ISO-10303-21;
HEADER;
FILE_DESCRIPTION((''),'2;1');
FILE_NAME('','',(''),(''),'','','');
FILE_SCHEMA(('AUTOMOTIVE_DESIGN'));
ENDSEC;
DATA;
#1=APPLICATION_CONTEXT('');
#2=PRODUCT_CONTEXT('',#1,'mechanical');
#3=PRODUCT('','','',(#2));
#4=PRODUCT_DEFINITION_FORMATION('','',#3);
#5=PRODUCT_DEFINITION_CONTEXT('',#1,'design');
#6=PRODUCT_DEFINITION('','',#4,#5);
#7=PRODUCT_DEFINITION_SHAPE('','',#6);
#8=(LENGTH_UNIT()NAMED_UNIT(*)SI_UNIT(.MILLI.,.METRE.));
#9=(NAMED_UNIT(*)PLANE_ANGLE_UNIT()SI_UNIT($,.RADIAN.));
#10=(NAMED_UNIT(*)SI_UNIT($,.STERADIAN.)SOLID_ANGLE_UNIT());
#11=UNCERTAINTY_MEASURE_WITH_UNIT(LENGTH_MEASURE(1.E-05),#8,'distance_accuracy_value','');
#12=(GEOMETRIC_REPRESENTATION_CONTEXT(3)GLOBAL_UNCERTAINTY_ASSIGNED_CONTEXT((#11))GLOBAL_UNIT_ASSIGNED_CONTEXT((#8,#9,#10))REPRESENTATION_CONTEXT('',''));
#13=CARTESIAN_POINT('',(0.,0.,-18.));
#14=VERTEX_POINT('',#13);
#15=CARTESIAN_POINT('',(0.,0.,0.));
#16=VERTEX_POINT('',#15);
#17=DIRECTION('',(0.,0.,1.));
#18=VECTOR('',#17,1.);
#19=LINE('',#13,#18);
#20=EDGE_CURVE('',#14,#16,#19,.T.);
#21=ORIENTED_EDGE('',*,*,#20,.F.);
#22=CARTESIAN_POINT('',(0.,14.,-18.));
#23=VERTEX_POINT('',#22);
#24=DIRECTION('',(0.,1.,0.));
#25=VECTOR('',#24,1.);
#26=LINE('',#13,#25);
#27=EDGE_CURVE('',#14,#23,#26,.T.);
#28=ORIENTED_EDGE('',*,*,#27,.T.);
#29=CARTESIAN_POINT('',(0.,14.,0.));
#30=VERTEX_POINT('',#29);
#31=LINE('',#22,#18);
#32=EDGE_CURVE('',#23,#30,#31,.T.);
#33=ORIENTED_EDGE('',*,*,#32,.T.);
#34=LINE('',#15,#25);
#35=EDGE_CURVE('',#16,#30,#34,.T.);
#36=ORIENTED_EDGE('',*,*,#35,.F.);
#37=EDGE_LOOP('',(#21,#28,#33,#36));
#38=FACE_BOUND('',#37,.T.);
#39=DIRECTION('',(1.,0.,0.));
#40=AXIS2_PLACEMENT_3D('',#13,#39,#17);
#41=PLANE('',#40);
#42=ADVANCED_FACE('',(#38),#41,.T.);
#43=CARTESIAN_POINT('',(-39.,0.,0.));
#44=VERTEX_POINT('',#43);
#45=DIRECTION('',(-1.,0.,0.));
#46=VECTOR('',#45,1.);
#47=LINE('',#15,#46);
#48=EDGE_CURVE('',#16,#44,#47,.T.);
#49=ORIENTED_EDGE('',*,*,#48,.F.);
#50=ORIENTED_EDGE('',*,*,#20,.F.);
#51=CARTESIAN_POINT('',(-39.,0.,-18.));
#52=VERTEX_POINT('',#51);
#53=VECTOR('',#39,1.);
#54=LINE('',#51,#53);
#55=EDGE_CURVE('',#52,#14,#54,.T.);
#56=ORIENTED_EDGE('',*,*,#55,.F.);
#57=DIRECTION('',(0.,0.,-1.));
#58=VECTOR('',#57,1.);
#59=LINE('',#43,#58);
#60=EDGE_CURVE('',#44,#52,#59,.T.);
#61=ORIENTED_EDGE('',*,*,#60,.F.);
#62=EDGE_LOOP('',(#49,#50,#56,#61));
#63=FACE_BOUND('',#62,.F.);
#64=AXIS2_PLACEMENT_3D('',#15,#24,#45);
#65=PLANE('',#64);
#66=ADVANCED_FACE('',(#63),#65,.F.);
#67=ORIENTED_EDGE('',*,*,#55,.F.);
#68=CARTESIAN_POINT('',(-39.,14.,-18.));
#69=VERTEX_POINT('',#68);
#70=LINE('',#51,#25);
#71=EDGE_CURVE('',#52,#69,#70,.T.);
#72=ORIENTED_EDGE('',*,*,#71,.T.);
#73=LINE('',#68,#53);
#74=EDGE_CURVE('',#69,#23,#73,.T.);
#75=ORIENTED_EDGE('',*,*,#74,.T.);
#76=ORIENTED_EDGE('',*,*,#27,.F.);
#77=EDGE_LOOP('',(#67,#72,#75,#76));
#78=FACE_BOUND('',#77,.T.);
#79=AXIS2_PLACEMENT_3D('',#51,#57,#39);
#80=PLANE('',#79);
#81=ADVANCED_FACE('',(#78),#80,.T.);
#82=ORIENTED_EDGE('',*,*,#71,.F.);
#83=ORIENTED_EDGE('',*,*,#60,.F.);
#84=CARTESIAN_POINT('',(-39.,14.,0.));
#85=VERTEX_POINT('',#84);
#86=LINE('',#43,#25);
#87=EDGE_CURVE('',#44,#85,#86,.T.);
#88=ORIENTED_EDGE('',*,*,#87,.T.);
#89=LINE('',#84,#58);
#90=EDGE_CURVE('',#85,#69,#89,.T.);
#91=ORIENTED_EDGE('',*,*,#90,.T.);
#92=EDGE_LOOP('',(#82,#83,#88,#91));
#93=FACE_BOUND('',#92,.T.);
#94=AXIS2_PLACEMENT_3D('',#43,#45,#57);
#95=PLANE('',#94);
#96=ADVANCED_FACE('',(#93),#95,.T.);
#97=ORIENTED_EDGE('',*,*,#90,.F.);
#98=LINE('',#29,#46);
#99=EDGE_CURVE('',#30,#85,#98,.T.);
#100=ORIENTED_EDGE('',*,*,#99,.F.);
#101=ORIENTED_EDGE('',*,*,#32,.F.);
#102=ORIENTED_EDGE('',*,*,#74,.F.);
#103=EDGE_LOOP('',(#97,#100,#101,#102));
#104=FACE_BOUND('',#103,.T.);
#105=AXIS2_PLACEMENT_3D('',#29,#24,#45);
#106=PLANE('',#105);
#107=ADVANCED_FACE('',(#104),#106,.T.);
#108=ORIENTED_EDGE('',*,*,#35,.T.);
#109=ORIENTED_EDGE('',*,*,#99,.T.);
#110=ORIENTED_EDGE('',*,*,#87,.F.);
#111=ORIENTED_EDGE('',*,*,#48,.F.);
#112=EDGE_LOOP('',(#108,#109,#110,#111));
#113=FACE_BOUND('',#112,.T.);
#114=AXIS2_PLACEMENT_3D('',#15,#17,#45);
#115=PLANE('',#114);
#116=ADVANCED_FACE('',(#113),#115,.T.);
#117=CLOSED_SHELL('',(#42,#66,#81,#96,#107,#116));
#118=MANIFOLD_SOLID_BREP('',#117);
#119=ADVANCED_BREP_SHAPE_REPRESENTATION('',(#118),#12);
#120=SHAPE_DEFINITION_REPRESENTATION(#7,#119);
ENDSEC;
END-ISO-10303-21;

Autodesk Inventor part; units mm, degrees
ref_plane "YZ Plane" through (0, 0, 0) normal (1, 0, 0) x (0, 1, 0)
ref_plane "XZ Plane" through (0, 0, 0) normal (0, 1, 0) x (-1, 0, 0)
ref_plane "XY Plane" through (0, 0, 0) normal (0, 0, 1) x (1, 0, 0)
sketch "Sketch1" plane through (0, 0, 0) normal (0, 1, 0) x (-1, 0, 0)
  line L0 (0, 0) -> (39, 0)
  line L1 (39, 0) -> (39, -18)
  line L2 (39, -18) -> (0, -18)
  line L3 (0, -18) -> (0, 0)
  dimension "d0" = 39
  dimension "d1" = 18
extrude "Extrusion1" add sketch "Sketch1" along normal blind 14
properties part number "lipol_300mAh"
